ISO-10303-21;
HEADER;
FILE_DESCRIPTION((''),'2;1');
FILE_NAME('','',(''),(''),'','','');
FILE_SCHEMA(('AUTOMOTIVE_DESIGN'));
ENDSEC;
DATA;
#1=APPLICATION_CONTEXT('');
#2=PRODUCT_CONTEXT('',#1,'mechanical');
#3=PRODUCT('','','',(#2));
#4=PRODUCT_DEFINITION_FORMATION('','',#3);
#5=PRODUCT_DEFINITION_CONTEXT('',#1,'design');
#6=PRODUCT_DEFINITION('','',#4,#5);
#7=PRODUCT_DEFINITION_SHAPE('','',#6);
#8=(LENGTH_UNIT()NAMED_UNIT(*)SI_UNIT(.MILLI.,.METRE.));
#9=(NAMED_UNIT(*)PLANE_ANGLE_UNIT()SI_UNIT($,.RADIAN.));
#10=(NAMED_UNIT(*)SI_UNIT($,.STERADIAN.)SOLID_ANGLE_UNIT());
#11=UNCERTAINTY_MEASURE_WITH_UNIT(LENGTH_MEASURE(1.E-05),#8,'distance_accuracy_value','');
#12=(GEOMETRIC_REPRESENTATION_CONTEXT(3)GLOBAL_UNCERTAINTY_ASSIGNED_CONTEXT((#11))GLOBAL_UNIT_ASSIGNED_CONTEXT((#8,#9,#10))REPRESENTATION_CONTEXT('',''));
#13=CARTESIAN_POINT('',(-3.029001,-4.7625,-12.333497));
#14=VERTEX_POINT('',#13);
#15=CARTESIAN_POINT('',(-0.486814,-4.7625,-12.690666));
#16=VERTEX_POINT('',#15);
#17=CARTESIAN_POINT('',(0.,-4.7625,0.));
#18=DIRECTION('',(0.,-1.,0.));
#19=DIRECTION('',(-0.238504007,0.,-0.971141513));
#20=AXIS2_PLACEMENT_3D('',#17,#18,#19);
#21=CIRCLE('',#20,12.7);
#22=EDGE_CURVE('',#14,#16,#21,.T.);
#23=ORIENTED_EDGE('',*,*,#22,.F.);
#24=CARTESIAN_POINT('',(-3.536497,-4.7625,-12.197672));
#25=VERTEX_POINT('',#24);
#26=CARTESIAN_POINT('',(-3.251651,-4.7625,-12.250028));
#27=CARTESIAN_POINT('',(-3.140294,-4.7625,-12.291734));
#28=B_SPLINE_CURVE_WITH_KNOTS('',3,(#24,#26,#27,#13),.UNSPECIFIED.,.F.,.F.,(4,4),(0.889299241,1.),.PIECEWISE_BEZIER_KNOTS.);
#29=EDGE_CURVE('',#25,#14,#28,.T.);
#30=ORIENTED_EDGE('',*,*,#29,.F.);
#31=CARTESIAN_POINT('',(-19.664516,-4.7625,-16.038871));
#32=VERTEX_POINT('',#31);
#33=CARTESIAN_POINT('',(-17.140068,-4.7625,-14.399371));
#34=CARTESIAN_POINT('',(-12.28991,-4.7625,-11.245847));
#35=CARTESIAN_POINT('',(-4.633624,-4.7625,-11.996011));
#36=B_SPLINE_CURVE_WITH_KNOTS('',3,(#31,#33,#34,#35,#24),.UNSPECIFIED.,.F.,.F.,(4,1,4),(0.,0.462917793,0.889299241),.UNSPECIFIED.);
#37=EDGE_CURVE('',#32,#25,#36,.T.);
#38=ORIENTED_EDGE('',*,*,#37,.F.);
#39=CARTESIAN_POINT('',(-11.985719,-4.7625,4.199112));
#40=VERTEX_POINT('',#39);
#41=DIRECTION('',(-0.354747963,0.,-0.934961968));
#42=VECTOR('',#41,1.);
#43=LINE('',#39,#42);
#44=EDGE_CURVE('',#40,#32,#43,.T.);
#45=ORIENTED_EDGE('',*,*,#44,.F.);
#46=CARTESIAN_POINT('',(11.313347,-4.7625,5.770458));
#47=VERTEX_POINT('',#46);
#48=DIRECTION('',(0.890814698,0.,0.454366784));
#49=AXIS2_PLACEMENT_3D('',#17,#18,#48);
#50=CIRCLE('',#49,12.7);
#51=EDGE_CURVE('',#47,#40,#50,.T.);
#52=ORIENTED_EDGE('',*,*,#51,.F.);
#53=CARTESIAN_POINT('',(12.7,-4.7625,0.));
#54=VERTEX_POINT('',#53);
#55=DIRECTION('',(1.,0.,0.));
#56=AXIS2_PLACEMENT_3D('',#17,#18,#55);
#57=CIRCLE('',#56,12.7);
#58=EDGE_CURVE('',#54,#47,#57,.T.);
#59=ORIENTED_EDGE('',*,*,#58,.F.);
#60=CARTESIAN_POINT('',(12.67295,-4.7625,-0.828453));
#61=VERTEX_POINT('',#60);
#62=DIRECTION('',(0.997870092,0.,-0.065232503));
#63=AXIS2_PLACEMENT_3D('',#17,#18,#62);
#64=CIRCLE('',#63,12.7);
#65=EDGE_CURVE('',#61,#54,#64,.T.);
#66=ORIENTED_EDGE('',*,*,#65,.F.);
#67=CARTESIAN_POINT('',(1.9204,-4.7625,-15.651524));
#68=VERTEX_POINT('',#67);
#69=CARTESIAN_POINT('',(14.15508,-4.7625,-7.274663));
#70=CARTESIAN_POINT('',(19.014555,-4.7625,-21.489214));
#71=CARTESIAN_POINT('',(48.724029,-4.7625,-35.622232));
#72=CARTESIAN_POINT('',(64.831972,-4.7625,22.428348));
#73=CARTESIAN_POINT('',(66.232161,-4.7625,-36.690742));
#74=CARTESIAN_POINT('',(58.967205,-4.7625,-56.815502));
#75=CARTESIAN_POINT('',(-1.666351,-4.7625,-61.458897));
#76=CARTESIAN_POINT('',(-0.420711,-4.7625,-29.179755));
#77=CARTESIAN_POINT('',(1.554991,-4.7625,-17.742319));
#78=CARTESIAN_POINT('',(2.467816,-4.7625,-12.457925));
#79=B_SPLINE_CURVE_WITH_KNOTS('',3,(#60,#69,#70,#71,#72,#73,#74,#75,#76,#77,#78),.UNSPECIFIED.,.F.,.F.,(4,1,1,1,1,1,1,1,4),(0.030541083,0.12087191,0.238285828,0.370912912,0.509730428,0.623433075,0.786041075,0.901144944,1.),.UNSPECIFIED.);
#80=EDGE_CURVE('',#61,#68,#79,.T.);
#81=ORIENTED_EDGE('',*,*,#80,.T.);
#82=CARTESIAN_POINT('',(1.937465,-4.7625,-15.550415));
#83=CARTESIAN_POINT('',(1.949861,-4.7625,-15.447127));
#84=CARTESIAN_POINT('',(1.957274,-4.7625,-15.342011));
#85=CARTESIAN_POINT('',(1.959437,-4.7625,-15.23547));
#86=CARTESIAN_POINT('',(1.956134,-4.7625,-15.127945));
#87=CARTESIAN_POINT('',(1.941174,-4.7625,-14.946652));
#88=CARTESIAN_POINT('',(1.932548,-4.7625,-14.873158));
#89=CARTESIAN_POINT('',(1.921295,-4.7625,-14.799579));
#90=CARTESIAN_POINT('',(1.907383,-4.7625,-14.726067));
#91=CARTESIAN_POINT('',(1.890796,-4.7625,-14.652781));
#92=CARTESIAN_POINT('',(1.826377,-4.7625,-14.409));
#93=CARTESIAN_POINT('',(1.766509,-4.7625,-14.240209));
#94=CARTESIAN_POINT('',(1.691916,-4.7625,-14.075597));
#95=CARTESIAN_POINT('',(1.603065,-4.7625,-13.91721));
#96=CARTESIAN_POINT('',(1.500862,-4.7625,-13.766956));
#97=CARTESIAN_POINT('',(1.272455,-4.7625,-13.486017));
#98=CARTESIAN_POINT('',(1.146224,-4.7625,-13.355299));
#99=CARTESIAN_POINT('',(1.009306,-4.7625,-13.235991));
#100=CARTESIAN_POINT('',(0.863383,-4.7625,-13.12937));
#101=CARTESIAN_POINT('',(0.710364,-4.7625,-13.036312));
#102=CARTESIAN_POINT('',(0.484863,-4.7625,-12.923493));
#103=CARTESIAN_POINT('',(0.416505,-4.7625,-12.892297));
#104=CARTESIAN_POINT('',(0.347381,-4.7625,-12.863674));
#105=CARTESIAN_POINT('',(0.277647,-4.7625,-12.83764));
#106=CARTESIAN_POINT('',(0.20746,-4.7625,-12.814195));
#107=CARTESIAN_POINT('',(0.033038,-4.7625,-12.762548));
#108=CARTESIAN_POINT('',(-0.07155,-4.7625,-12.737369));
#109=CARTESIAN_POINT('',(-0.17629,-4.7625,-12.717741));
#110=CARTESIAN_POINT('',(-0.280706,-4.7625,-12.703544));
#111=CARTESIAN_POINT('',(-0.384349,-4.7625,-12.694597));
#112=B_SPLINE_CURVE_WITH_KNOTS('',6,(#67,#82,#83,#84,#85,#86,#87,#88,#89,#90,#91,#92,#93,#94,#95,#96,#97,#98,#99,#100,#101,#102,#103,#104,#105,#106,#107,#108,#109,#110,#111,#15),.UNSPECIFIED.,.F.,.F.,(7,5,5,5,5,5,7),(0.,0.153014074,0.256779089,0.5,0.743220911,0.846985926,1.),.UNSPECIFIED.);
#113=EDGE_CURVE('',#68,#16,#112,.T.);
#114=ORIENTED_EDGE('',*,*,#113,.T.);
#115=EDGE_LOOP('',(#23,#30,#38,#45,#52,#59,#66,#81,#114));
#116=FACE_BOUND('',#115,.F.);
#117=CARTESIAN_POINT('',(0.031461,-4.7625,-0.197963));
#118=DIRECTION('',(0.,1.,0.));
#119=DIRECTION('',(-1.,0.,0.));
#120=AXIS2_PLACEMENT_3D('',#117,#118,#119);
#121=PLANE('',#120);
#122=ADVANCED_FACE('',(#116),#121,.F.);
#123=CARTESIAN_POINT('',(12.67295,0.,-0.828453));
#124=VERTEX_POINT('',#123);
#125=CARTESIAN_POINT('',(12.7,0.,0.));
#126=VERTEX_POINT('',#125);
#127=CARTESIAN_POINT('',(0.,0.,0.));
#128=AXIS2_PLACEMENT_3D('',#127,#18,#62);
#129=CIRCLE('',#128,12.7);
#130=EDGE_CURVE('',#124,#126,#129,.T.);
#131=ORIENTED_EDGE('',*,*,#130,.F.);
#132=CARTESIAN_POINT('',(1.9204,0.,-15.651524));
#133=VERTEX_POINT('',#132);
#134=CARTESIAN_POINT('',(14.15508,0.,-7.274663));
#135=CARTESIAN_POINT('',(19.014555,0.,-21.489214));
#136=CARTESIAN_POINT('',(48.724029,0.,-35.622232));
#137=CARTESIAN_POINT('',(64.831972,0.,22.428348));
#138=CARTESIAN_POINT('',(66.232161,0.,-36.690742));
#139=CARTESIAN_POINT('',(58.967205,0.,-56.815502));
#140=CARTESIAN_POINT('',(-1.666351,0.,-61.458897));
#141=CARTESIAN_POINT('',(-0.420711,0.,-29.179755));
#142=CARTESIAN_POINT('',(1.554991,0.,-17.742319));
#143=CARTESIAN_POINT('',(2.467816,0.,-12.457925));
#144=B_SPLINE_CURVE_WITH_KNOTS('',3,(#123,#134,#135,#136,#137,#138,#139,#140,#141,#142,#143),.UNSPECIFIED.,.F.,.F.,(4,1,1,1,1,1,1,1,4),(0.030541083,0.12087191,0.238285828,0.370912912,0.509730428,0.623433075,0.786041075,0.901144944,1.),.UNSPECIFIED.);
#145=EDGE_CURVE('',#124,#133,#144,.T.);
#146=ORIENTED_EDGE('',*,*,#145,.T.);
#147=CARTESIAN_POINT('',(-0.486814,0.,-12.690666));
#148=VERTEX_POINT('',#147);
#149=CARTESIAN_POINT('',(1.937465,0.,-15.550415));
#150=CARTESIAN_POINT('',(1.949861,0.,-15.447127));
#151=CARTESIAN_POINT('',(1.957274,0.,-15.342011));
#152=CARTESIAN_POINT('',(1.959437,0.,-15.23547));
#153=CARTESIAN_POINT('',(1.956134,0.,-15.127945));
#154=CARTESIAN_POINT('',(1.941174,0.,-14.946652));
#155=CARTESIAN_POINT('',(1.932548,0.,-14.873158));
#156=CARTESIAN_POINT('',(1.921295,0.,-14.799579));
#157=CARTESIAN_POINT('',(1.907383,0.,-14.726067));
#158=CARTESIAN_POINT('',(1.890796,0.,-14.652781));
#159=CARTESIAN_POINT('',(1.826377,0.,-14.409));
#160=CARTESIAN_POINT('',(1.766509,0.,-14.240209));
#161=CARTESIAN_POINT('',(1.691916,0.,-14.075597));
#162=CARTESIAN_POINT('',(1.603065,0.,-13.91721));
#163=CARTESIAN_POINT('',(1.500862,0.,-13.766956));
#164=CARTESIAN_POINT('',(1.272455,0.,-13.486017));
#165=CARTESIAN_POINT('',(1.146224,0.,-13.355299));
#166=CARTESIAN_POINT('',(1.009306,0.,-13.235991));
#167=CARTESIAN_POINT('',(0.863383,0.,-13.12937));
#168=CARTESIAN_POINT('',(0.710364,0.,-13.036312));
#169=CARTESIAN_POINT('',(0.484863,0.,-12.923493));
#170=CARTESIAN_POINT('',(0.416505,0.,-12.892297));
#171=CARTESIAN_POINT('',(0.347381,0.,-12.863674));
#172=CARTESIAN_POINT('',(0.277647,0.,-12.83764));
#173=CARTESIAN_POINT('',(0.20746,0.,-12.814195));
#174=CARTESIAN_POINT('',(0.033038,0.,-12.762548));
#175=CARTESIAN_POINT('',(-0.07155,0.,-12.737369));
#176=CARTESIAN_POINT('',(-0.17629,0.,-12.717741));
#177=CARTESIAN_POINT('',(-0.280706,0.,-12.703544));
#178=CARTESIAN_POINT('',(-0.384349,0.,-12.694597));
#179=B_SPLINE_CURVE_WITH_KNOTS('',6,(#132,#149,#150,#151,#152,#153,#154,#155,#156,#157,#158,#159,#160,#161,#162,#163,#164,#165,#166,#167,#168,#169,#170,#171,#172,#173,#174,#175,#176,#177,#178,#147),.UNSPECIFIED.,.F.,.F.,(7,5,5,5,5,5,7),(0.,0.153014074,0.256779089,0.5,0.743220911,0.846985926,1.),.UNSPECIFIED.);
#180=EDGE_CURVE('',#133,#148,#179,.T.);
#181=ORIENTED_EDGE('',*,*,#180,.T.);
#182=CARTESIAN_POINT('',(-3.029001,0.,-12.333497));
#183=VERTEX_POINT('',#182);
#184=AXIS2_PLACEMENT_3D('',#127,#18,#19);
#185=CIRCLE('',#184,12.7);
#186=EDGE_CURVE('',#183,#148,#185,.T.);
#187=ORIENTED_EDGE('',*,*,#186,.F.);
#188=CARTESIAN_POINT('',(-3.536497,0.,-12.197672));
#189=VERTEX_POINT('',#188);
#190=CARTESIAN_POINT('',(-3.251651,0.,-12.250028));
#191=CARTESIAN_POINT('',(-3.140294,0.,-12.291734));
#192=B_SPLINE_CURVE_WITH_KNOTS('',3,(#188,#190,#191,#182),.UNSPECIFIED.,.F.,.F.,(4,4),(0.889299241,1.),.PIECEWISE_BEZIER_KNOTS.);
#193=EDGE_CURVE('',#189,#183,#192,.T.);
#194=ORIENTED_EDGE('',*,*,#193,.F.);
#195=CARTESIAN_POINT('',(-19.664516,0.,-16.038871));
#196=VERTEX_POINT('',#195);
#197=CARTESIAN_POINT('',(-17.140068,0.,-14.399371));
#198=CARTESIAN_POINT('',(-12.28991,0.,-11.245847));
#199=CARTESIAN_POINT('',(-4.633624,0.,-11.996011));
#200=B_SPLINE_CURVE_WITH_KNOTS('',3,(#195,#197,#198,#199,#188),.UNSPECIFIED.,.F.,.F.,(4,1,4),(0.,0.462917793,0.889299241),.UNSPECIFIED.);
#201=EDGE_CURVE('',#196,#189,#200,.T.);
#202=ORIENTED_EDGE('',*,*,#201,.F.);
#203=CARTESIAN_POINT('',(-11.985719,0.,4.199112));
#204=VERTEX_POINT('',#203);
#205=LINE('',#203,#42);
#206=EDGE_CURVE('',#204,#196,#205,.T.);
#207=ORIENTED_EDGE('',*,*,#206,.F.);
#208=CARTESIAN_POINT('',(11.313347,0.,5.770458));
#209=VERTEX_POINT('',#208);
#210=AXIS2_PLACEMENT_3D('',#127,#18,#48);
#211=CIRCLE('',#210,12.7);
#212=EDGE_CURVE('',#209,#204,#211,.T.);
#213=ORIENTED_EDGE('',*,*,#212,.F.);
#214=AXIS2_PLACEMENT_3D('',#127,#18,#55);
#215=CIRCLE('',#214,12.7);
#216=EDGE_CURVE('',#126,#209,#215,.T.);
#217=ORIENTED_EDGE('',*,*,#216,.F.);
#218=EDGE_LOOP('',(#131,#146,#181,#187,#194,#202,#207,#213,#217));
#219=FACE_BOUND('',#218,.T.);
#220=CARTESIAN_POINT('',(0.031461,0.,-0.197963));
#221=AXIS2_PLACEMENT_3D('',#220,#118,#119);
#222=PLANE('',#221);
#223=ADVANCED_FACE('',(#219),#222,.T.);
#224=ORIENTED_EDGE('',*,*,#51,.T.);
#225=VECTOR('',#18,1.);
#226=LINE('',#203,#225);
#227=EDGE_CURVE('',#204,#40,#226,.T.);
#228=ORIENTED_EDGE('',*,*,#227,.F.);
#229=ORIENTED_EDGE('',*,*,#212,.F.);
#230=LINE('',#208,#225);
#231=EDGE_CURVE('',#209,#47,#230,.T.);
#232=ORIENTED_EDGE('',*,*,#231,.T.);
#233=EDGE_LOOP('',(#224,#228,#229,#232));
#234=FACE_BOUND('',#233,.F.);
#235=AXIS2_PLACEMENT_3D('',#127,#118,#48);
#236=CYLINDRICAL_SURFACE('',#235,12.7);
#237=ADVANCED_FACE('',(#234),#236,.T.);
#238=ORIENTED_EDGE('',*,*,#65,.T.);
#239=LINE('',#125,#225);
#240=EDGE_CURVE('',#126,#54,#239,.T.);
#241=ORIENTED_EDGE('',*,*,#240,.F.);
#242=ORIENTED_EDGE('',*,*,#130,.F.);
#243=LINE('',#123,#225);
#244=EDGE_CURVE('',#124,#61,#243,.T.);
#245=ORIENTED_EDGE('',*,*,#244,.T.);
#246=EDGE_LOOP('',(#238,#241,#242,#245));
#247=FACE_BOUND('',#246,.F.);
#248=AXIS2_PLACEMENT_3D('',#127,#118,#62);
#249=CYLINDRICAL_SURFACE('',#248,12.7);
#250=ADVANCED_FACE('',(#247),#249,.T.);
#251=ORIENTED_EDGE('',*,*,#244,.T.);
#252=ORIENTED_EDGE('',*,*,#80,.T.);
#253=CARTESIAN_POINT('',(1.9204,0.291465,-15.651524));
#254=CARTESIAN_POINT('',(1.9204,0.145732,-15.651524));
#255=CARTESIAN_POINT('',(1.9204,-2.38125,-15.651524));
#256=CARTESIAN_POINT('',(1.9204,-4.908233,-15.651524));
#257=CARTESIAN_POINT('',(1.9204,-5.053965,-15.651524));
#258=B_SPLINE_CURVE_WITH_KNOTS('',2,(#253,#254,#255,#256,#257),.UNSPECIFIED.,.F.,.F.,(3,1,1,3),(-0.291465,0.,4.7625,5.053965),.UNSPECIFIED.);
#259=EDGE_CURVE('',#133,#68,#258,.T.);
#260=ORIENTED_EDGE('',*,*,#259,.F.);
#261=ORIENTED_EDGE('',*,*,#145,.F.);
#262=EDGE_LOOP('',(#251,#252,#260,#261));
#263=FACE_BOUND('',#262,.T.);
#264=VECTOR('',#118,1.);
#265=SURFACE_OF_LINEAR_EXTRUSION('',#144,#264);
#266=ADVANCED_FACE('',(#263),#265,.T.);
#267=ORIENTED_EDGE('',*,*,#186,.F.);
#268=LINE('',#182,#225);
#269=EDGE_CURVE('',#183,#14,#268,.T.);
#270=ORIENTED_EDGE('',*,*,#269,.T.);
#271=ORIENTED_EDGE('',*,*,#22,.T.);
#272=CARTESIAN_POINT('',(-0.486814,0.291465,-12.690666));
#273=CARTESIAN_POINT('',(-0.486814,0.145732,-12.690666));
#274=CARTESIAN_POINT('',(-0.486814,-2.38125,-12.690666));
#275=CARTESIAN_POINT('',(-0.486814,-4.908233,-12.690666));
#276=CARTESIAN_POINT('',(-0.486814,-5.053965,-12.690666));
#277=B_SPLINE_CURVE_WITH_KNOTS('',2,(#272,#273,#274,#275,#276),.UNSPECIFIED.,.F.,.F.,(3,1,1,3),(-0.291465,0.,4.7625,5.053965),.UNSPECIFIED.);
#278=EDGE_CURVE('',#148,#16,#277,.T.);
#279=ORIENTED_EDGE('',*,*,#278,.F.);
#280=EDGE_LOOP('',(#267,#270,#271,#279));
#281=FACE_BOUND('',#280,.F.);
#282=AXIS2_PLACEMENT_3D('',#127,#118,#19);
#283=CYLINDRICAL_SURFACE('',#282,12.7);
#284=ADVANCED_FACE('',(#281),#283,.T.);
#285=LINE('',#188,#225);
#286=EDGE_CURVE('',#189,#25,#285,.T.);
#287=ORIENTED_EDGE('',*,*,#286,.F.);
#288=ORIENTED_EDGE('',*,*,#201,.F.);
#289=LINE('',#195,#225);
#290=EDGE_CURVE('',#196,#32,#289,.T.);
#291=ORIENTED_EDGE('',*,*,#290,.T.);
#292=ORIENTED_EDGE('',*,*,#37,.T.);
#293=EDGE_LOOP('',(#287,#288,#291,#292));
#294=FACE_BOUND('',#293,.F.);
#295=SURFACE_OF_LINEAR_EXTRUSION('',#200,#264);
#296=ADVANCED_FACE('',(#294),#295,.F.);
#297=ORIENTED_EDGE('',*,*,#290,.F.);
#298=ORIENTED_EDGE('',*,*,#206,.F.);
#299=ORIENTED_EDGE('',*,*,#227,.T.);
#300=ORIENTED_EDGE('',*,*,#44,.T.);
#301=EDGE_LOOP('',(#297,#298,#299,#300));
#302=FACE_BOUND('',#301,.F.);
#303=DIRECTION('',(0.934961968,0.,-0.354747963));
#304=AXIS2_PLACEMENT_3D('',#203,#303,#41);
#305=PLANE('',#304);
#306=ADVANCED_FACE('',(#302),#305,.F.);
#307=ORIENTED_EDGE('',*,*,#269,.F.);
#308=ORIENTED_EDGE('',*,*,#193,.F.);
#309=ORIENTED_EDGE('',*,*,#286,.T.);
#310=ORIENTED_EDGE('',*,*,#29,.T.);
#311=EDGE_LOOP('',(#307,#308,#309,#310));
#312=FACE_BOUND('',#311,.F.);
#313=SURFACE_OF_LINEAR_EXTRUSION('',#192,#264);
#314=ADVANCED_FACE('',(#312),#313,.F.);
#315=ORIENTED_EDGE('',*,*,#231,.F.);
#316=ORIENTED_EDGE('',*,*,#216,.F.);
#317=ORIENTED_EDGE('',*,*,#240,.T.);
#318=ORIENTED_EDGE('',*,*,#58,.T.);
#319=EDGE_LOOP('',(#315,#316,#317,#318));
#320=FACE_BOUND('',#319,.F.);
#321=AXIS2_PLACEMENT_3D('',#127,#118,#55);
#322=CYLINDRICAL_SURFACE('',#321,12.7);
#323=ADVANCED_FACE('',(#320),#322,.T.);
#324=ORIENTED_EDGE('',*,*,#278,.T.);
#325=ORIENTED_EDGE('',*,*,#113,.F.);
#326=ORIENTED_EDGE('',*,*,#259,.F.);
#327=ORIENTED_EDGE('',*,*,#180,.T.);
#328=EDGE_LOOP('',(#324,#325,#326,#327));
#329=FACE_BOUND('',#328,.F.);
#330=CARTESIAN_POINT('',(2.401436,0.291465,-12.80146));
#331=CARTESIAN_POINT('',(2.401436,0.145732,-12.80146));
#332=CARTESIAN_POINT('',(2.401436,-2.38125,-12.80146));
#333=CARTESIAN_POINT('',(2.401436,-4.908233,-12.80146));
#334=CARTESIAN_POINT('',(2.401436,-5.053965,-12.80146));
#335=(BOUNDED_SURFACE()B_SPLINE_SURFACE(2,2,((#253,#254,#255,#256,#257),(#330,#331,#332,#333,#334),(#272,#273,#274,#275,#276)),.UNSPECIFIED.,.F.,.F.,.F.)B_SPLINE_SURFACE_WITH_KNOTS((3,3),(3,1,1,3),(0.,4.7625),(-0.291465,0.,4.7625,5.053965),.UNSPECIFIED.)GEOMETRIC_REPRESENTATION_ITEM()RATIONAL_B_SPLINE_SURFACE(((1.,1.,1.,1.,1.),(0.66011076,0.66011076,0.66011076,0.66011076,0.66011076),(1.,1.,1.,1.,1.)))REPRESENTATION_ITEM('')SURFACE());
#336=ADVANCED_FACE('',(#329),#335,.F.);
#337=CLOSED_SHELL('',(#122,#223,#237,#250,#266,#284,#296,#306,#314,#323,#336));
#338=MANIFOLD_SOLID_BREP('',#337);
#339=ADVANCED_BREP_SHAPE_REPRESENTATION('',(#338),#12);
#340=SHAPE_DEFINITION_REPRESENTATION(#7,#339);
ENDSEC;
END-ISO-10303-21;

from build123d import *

# Parameters (mm, degrees)
F1_DEPTH = 4.7625
F2_R     = 2.54


with BuildPart() as f1:
    # F0 (on Front) → F1 (new body)
    with BuildSketch(Plane.XZ):
        with BuildLine():
            add(Edge.make_bspline(
                [(11.3133466587, 5.7704581602), (11.7428412995, 3.5608561173), (12.1718384389, 1.3510271713), (12.6729501691, -0.8284527816)],
                knots=[0, 0, 0, 0, 0.0305410826, 0.0305410826, 0.0305410826, 0.0305410826], degree=3))
            ThreePointArc((11.3133466587, 5.7704581602), (-0.8545780215, 12.6712152695), (-11.9857190469, 4.1991116833))
            ThreePointArc((-11.9857190469, 4.1991116833), (-11.2893056124, -5.8173515272), (-3.5364968369, -12.1976715041))
            add(Edge.make_bspline(
                [(-3.5364968369, -12.1976715041), (-3.2516512837, -12.2500284223), (-3.1402935445, -12.291734304), (-3.0290008838, -12.3334972188)],
                knots=[0.8892992409, 0.8892992409, 0.8892992409, 0.8892992409, 1, 1, 1, 1], degree=3))
            ThreePointArc((-3.0290008838, -12.3334972188), (-0.2874068585, -12.6967475086), (2.4678158517, -12.4579245833))
            ThreePointArc((2.4678158517, -12.4579245833), (9.545776685, -8.3766429719), (12.6729501691, -0.8284527816))
        make_face()
        with BuildLine():
            ThreePointArc((-3.5364968369, -12.1976715041), (-11.2893056124, -5.8173515272), (-11.9857190469, 4.1991116833))
            Line((-11.9857190469, 4.1991116833), (-19.6645160516, -16.0388710598))
            add(Edge.make_bspline(
                [(-19.6645160516, -16.0388710598), (-17.1400683384, -14.3993709168), (-12.2899102458, -11.2458466847), (-4.6336244483, -11.9960105691), (-3.5364968369, -12.1976715041)],
                knots=[0, 0, 0, 0, 0.4629177928, 0.8892992409, 0.8892992409, 0.8892992409, 0.8892992409], degree=3))
        make_face()
        with BuildLine():
            ThreePointArc((12.6729501691, -0.8284527816), (12.6932357409, -0.4144471331), (12.7, 0))
            ThreePointArc((12.7, 0), (12.3484716173, 2.967363934), (11.3133466587, 5.7704581602))
            add(Edge.make_bspline(
                [(11.3133466587, 5.7704581602), (11.7428412995, 3.5608561173), (12.1718384389, 1.3510271713), (12.6729501691, -0.8284527816)],
                knots=[0, 0, 0, 0, 0.0305410826, 0.0305410826, 0.0305410826, 0.0305410826], degree=3))
        make_face()
        with BuildLine():
            add(Edge.make_bspline(
                [(12.6729501691, -0.8284527816), (14.1550795879, -7.2746626007), (19.0145548426, -21.4892137883), (48.7240292896, -35.622232069), (64.8319722318, 22.4283481922), (66.2321606601, -36.6907417355), (58.9672049161, -56.8155018628), (-1.666350942, -61.4588973098), (-0.4207114726, -29.1797554092), (1.5549905482, -17.7423189428), (2.4678158517, -12.4579245833)],
                knots=[0.0305410826, 0.0305410826, 0.0305410826, 0.0305410826, 0.1208719096, 0.2382858283, 0.3709129117, 0.5097304283, 0.6234330746, 0.7860410753, 0.9011449437, 1, 1, 1, 1], degree=3))
            ThreePointArc((12.6729501691, -0.8284527816), (9.545776685, -8.3766429719), (2.4678158517, -12.4579245833))
        make_face()
    extrude(amount=F1_DEPTH)

    # F2
    f2_edges = [f1.edges().sort_by_distance(p)[0] for p in [
        (2.467816, -2.38125, -12.457925),
    ]]
    fillet(f2_edges, radius=F2_R)


solid = f1.part
